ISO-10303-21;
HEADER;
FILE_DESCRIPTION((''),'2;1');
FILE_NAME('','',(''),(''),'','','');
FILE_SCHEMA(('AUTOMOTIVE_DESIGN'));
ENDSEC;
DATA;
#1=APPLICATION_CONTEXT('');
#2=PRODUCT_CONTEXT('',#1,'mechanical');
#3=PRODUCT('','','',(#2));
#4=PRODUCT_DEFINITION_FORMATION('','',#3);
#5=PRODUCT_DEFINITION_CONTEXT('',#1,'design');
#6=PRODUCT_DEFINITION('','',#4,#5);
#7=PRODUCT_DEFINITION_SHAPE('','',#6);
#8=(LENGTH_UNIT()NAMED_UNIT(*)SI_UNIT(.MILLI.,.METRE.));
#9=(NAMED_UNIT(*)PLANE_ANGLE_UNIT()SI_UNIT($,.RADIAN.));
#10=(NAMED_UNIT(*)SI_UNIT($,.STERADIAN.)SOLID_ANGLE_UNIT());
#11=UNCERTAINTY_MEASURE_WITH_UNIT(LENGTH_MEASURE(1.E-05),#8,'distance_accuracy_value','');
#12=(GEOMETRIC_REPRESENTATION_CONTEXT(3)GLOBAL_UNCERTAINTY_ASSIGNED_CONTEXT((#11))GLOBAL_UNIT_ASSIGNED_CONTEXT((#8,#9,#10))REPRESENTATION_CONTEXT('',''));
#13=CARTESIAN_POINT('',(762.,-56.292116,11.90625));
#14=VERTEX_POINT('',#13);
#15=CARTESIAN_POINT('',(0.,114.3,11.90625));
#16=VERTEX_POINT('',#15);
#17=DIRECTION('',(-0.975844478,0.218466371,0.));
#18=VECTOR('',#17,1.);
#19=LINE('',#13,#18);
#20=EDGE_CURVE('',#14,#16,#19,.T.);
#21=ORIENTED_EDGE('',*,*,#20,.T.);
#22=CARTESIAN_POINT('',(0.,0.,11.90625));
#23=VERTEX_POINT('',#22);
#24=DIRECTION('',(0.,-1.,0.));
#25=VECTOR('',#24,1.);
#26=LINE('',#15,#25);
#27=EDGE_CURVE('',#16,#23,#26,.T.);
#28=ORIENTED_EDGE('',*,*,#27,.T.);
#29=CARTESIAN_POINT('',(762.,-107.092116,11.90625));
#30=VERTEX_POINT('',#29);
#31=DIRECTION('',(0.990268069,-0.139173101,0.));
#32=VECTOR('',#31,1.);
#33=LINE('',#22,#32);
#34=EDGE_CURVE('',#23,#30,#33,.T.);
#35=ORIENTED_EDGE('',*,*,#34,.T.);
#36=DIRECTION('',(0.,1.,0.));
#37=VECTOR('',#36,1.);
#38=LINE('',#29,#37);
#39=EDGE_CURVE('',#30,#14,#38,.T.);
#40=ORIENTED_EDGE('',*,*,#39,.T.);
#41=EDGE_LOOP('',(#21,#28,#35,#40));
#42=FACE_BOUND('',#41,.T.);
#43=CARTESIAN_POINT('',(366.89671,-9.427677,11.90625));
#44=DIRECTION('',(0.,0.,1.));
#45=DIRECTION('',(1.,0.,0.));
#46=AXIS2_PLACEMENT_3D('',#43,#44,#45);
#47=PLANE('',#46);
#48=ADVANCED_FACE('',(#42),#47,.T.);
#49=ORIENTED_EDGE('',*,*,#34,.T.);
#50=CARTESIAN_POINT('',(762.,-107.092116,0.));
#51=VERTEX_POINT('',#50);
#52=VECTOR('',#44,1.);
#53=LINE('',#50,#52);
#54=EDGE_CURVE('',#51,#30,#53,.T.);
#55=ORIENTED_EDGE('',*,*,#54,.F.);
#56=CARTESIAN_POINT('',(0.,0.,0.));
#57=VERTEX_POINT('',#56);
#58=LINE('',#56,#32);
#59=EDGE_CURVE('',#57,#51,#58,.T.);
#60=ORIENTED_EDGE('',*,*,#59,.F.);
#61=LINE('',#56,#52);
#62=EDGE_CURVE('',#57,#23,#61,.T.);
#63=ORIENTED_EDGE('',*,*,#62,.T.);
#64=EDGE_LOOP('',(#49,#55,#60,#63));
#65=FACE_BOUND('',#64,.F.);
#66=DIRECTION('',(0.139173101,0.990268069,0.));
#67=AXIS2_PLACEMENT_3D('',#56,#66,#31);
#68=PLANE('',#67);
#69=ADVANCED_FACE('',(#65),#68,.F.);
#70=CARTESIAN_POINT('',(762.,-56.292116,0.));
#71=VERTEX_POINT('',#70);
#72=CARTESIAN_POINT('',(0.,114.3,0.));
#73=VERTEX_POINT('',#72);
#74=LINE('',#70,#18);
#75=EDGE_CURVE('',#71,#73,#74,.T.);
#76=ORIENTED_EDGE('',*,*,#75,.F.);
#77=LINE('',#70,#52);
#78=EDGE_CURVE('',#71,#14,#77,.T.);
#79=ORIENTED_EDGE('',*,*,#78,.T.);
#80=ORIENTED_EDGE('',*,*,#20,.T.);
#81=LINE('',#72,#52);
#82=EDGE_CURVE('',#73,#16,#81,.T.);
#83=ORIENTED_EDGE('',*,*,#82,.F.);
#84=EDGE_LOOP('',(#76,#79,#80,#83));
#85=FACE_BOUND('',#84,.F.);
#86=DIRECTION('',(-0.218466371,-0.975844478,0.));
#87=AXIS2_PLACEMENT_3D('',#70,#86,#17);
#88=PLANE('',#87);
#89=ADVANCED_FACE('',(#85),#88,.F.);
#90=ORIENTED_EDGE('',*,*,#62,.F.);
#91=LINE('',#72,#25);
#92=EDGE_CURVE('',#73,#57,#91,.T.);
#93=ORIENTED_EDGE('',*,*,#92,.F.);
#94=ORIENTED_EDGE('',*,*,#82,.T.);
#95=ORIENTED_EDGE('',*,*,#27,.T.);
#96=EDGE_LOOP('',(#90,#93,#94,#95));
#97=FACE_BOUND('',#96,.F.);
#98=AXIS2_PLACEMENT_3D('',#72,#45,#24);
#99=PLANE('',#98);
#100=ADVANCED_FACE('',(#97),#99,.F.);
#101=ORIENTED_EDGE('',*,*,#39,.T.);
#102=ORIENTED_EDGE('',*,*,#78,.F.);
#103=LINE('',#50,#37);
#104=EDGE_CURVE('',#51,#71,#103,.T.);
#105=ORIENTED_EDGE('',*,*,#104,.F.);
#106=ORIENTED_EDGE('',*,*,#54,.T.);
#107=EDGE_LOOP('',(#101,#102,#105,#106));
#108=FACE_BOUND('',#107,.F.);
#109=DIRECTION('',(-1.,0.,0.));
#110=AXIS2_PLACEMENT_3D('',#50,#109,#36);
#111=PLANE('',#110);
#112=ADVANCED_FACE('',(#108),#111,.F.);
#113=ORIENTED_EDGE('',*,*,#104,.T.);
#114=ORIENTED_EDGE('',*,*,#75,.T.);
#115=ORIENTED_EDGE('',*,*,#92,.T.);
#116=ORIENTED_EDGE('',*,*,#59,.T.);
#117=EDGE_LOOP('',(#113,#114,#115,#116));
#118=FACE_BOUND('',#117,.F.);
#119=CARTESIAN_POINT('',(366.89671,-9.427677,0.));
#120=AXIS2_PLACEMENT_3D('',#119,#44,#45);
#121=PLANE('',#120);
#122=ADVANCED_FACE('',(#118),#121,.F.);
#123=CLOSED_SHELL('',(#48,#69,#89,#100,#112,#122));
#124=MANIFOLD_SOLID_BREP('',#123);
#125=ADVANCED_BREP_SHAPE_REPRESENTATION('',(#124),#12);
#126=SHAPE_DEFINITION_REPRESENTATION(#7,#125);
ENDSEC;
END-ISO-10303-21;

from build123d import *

# Parameters (mm, degrees)
PAD_DEPTH = 11.90625


with BuildPart() as part:
    # Sketch → Pad (new body)
    with BuildSketch(Plane.XY):
        Polygon((0, 114.3), (0, 0), (762, -107.092116), (762, -56.292116), align=None)
    extrude(amount=PAD_DEPTH)


solid = part.part
